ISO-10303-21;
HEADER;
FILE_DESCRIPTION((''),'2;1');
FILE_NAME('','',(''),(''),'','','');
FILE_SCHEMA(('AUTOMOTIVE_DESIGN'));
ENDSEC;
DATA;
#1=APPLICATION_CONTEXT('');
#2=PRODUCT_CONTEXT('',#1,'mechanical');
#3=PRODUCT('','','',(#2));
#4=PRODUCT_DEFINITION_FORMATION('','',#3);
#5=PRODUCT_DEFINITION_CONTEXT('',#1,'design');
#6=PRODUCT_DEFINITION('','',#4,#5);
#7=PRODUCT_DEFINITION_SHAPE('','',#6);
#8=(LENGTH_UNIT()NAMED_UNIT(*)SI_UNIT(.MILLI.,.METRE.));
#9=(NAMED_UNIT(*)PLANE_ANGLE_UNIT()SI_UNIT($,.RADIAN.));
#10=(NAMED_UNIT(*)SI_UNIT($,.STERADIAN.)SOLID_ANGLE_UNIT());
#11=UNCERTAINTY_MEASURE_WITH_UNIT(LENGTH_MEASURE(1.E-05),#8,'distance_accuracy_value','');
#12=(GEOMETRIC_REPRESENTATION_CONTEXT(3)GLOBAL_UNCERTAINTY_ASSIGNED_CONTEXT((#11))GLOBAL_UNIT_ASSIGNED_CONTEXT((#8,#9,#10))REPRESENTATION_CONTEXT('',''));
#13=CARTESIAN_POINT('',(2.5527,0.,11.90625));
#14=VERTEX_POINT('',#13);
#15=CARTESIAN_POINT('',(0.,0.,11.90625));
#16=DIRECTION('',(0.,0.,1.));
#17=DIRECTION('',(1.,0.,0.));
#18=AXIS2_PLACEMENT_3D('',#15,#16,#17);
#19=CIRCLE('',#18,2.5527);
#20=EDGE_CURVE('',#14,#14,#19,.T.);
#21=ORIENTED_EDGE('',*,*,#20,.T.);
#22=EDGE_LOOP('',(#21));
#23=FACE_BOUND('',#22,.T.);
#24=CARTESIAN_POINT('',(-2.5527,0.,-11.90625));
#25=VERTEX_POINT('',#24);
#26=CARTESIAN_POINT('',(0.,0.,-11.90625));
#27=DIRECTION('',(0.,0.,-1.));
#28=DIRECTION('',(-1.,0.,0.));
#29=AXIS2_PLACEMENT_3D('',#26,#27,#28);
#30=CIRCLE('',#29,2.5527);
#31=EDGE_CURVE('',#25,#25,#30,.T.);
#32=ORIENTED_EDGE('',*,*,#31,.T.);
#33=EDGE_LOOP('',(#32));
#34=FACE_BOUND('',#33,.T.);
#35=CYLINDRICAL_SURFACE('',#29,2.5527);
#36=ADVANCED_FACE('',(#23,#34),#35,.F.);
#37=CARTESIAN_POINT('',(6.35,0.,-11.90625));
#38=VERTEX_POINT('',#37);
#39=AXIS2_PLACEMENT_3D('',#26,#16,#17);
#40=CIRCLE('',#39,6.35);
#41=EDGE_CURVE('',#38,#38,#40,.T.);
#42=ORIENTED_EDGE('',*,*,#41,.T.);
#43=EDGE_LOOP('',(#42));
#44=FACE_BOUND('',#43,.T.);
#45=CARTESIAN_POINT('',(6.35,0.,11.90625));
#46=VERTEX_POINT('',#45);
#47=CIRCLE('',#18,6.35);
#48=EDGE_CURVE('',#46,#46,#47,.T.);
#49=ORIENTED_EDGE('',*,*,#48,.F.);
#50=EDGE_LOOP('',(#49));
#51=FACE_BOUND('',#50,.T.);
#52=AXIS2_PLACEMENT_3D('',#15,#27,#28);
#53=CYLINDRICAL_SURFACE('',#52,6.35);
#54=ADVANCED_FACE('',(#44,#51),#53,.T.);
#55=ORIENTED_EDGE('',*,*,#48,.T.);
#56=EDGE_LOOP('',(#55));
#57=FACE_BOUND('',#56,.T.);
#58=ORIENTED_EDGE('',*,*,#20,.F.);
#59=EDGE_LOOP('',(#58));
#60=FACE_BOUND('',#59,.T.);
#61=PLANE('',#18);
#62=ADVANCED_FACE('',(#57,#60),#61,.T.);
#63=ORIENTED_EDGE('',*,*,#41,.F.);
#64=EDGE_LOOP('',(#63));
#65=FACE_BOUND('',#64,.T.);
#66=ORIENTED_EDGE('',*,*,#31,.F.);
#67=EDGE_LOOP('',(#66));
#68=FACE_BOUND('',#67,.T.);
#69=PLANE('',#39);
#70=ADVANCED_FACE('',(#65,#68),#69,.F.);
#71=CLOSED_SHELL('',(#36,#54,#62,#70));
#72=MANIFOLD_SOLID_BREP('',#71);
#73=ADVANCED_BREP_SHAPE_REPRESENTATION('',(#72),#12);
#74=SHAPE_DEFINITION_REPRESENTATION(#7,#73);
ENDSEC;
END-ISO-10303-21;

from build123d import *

# Parameters (mm, degrees)
SKETCH1_R                             = 6.35
BOSS_EXTRUDE1_DEPTH                   = 11.90625
F_1_4_20_TAPPED_HOLE1_D               = 5.1054
F_1_4_20_TAPPED_HOLE1_DEPTH           = 16.51
F_1_4_20_TAPPED_HOLE1_TIP             = 1.533816902
F_1_4_20_TAPPED_HOLE1_ON_FACE_2_D     = 5.1054
F_1_4_20_TAPPED_HOLE1_ON_FACE_2_DEPTH = 16.51
F_1_4_20_TAPPED_HOLE1_ON_FACE_2_TIP   = 1.533816902


with BuildPart() as part:
    # Sketch1 → Boss-Extrude1 (new, symmetric)
    with BuildSketch(Plane.XY):
        Circle(SKETCH1_R)
    extrude(amount=BOSS_EXTRUDE1_DEPTH, both=True)

    # 1/4-20 Tapped Hole1
    with Locations(Plane.XY.offset(11.90625)):
        with Locations((0, 0)):
            Hole(F_1_4_20_TAPPED_HOLE1_D / 2, depth=F_1_4_20_TAPPED_HOLE1_DEPTH)
            with Locations((0, 0, -(F_1_4_20_TAPPED_HOLE1_DEPTH + F_1_4_20_TAPPED_HOLE1_TIP / 2))):  # 118° drill point
                Cone(0, F_1_4_20_TAPPED_HOLE1_D / 2, F_1_4_20_TAPPED_HOLE1_TIP, mode=Mode.SUBTRACT)

    # 1/4-20 Tapped Hole1 on face 2
    with Locations(Plane(origin=(0, 0, -11.90625), x_dir=(-1, 0, 0), z_dir=(0, 0, -1))):
        with Locations((0, 0)):
            Hole(F_1_4_20_TAPPED_HOLE1_ON_FACE_2_D / 2, depth=F_1_4_20_TAPPED_HOLE1_ON_FACE_2_DEPTH)
            with Locations((0, 0, -(F_1_4_20_TAPPED_HOLE1_ON_FACE_2_DEPTH + F_1_4_20_TAPPED_HOLE1_ON_FACE_2_TIP / 2))):  # 118° drill point
                Cone(0, F_1_4_20_TAPPED_HOLE1_ON_FACE_2_D / 2, F_1_4_20_TAPPED_HOLE1_ON_FACE_2_TIP, mode=Mode.SUBTRACT)


solid = part.part
